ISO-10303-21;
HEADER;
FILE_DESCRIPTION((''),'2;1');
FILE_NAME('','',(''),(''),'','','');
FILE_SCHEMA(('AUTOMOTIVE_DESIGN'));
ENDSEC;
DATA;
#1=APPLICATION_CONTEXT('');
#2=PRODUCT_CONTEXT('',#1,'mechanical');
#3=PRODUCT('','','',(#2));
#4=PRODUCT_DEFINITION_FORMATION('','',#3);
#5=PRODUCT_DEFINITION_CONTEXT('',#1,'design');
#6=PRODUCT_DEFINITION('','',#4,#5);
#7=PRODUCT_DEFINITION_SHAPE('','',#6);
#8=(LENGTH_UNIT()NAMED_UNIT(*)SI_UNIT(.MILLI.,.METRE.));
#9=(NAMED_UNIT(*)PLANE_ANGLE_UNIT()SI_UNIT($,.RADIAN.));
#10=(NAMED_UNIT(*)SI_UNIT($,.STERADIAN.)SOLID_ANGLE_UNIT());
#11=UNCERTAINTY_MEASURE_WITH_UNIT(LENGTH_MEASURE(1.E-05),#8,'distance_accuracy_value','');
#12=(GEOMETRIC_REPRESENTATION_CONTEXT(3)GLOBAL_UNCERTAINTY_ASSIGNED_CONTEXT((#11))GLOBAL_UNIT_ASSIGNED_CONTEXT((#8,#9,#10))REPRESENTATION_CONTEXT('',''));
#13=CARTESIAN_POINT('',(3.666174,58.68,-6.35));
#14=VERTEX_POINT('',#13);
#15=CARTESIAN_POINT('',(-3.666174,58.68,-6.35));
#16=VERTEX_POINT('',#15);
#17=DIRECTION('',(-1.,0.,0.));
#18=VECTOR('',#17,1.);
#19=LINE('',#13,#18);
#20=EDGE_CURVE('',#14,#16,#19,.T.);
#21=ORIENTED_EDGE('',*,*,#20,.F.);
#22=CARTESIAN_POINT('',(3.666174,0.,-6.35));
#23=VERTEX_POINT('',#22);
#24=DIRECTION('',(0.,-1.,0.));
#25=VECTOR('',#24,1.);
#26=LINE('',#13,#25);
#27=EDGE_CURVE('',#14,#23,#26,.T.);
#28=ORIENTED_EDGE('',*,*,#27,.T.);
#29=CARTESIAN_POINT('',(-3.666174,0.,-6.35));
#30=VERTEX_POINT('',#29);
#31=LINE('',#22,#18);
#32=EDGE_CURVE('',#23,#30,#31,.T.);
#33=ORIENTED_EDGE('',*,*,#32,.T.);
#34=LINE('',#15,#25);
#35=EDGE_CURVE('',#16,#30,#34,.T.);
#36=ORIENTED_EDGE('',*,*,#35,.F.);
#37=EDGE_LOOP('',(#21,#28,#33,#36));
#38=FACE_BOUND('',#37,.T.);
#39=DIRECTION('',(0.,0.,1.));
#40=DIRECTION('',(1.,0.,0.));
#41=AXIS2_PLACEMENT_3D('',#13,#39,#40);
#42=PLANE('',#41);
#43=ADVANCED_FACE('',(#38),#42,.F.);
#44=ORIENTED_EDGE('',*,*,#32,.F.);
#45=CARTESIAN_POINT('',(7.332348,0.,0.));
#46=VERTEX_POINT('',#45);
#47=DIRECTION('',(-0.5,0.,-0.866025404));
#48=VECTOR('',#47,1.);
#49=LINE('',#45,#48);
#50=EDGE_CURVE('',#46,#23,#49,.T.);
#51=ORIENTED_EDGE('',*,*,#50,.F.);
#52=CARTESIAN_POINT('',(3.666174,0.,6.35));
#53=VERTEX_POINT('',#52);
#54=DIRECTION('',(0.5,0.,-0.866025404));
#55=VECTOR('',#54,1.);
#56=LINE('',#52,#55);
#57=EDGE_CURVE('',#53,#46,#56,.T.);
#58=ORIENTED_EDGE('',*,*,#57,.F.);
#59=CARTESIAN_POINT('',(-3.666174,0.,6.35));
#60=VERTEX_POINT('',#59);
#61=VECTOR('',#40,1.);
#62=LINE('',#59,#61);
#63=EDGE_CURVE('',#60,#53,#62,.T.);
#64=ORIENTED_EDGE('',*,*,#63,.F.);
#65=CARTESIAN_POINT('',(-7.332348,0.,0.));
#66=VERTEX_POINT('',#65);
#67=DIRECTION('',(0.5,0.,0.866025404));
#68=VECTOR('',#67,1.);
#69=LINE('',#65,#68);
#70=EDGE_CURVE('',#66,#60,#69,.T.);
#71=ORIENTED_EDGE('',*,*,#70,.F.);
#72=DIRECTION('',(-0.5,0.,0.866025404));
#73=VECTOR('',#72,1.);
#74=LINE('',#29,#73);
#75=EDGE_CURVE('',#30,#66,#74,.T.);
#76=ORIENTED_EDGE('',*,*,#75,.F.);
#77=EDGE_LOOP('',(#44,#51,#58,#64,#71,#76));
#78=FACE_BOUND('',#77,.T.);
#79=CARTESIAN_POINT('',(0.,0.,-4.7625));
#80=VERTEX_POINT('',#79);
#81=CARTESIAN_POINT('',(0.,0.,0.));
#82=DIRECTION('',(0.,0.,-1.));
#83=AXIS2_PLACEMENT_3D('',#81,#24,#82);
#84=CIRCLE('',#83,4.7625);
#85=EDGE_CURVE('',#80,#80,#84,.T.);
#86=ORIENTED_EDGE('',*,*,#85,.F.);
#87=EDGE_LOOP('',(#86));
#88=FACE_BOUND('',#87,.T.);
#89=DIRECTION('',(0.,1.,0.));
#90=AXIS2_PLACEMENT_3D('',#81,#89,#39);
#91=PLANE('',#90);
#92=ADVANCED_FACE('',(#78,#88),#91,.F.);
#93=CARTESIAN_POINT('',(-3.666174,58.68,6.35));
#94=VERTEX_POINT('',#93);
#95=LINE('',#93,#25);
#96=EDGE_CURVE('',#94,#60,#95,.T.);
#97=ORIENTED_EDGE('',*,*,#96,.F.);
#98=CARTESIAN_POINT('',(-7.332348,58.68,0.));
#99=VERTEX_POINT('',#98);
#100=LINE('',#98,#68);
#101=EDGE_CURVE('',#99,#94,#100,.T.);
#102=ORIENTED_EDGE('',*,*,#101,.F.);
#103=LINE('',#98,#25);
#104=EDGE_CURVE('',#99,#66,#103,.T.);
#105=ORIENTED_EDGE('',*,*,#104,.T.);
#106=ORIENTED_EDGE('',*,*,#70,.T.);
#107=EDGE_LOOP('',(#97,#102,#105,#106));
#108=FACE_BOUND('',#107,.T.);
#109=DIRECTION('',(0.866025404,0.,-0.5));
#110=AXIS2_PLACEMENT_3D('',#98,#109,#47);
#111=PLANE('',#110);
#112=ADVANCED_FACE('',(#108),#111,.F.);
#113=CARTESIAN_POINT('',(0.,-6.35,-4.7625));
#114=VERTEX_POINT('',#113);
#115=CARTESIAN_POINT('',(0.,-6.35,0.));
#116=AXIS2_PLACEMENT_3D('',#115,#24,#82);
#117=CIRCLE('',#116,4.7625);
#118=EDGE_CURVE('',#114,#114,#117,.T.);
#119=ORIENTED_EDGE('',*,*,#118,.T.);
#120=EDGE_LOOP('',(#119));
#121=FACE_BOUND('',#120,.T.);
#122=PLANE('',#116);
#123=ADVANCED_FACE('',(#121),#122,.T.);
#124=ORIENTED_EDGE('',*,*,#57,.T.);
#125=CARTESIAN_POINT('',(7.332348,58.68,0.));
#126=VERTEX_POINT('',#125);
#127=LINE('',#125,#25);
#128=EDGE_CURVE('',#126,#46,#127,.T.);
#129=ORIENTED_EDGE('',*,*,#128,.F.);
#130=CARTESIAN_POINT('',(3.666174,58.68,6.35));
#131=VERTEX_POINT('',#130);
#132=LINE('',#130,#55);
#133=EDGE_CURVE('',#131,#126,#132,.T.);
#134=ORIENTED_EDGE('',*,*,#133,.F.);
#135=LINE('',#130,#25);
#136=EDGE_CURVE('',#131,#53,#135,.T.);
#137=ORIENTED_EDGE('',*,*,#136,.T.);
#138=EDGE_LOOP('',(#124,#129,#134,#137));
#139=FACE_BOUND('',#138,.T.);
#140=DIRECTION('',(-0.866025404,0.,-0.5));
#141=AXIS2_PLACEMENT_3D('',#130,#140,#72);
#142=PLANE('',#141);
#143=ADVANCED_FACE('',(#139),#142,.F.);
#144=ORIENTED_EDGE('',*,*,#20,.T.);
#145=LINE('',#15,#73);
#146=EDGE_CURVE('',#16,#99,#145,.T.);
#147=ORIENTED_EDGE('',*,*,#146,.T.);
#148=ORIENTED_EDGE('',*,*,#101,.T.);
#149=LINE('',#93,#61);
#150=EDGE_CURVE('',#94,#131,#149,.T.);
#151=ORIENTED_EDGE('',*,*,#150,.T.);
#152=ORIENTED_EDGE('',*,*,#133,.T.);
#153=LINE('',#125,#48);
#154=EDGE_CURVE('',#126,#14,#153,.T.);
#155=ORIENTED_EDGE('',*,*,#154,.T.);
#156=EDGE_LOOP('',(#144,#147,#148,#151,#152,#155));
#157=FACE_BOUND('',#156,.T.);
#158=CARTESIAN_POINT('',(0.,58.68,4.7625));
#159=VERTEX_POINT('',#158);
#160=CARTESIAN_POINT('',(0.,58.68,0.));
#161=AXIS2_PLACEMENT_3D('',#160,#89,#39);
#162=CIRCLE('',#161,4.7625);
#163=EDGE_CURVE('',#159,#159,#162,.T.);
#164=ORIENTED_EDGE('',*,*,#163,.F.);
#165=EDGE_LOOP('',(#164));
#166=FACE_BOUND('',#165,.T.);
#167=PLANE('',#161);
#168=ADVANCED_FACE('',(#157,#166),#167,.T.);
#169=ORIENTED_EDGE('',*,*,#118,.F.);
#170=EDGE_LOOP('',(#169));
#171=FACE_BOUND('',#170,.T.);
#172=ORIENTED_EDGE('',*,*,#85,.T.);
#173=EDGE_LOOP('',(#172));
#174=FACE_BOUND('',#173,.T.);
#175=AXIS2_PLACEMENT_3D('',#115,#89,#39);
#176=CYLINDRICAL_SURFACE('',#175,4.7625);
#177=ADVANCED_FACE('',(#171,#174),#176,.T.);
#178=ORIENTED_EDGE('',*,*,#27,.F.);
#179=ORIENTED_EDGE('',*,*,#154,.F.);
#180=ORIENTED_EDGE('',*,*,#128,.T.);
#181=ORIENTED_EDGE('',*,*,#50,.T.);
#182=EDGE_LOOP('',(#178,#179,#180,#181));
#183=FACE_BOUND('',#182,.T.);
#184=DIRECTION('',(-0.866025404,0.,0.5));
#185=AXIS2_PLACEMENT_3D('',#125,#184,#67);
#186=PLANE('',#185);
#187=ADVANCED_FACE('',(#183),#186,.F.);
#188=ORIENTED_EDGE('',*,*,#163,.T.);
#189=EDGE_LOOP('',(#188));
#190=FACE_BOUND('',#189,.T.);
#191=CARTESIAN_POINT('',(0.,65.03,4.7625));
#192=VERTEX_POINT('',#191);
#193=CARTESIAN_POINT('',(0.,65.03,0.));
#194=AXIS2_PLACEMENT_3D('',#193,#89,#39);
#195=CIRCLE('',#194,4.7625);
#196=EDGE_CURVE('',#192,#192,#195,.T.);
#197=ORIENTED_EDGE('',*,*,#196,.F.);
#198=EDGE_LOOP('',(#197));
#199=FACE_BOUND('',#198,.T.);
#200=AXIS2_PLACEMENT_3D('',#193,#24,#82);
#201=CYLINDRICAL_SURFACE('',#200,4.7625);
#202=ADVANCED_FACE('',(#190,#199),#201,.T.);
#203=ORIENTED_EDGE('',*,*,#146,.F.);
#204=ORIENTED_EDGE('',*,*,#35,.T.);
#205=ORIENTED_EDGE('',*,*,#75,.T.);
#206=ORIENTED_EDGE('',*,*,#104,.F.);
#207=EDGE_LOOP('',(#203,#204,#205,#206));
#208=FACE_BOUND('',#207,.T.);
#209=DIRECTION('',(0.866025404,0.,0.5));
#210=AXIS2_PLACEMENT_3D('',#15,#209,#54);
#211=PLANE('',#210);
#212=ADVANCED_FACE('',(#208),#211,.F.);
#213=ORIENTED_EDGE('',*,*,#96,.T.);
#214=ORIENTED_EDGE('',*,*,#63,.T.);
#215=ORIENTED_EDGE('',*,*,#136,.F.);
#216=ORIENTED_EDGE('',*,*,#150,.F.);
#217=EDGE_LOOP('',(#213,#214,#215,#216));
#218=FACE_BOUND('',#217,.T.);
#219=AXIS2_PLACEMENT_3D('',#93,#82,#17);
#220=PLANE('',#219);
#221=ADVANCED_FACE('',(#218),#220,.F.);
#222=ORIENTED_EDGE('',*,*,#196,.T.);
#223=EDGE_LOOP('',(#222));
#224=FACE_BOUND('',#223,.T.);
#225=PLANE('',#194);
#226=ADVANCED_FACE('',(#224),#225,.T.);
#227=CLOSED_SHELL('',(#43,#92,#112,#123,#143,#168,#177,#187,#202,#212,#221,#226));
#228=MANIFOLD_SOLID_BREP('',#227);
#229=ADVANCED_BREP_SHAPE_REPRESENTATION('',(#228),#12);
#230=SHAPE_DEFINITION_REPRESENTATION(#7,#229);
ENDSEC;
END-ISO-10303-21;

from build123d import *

# Parameters (mm, degrees)
SALIENTE_EXTRUIR1_DEPTH = 58.68
CROQUIS2_R              = 4.7625
SALIENTE_EXTRUIR2_DEPTH = 6.35
SALIENTE_EXTRUIR3_START = 6.35
CROQUIS3_R              = 4.7625
SALIENTE_EXTRUIR3_DEPTH = 6.35


with BuildPart() as part:
    # Croquis1 → Saliente-Extruir1 (new body)
    with BuildSketch(Plane(origin=(0, 0, 0), x_dir=(1, 0, 0), z_dir=(0, 1, 0))):
        Polygon((7.332348419, 0), (3.666174209, 6.35), (-3.666174209, 6.35), (-7.332348419, 0), (-3.666174209, -6.35), (3.666174209, -6.35), align=None)
    extrude(amount=SALIENTE_EXTRUIR1_DEPTH)

    # Croquis2 → Saliente-Extruir2 (add)
    with BuildSketch(Plane(origin=(0, 58.68, 0), x_dir=(1, 0, 0), z_dir=(0, 1, 0))):
        with Locations(Location((0, 0, 0), (0, 0, 270))):
            Circle(CROQUIS2_R)
    extrude(amount=SALIENTE_EXTRUIR2_DEPTH)

    # Croquis3 → Saliente-Extruir3 (add)
    with BuildSketch(Plane.XZ.offset(SALIENTE_EXTRUIR3_START)):
        with Locations(Location((0, 0, 0), (0, 0, 90))):
            Circle(CROQUIS3_R)
    extrude(amount=-SALIENTE_EXTRUIR3_DEPTH)


solid = part.part
